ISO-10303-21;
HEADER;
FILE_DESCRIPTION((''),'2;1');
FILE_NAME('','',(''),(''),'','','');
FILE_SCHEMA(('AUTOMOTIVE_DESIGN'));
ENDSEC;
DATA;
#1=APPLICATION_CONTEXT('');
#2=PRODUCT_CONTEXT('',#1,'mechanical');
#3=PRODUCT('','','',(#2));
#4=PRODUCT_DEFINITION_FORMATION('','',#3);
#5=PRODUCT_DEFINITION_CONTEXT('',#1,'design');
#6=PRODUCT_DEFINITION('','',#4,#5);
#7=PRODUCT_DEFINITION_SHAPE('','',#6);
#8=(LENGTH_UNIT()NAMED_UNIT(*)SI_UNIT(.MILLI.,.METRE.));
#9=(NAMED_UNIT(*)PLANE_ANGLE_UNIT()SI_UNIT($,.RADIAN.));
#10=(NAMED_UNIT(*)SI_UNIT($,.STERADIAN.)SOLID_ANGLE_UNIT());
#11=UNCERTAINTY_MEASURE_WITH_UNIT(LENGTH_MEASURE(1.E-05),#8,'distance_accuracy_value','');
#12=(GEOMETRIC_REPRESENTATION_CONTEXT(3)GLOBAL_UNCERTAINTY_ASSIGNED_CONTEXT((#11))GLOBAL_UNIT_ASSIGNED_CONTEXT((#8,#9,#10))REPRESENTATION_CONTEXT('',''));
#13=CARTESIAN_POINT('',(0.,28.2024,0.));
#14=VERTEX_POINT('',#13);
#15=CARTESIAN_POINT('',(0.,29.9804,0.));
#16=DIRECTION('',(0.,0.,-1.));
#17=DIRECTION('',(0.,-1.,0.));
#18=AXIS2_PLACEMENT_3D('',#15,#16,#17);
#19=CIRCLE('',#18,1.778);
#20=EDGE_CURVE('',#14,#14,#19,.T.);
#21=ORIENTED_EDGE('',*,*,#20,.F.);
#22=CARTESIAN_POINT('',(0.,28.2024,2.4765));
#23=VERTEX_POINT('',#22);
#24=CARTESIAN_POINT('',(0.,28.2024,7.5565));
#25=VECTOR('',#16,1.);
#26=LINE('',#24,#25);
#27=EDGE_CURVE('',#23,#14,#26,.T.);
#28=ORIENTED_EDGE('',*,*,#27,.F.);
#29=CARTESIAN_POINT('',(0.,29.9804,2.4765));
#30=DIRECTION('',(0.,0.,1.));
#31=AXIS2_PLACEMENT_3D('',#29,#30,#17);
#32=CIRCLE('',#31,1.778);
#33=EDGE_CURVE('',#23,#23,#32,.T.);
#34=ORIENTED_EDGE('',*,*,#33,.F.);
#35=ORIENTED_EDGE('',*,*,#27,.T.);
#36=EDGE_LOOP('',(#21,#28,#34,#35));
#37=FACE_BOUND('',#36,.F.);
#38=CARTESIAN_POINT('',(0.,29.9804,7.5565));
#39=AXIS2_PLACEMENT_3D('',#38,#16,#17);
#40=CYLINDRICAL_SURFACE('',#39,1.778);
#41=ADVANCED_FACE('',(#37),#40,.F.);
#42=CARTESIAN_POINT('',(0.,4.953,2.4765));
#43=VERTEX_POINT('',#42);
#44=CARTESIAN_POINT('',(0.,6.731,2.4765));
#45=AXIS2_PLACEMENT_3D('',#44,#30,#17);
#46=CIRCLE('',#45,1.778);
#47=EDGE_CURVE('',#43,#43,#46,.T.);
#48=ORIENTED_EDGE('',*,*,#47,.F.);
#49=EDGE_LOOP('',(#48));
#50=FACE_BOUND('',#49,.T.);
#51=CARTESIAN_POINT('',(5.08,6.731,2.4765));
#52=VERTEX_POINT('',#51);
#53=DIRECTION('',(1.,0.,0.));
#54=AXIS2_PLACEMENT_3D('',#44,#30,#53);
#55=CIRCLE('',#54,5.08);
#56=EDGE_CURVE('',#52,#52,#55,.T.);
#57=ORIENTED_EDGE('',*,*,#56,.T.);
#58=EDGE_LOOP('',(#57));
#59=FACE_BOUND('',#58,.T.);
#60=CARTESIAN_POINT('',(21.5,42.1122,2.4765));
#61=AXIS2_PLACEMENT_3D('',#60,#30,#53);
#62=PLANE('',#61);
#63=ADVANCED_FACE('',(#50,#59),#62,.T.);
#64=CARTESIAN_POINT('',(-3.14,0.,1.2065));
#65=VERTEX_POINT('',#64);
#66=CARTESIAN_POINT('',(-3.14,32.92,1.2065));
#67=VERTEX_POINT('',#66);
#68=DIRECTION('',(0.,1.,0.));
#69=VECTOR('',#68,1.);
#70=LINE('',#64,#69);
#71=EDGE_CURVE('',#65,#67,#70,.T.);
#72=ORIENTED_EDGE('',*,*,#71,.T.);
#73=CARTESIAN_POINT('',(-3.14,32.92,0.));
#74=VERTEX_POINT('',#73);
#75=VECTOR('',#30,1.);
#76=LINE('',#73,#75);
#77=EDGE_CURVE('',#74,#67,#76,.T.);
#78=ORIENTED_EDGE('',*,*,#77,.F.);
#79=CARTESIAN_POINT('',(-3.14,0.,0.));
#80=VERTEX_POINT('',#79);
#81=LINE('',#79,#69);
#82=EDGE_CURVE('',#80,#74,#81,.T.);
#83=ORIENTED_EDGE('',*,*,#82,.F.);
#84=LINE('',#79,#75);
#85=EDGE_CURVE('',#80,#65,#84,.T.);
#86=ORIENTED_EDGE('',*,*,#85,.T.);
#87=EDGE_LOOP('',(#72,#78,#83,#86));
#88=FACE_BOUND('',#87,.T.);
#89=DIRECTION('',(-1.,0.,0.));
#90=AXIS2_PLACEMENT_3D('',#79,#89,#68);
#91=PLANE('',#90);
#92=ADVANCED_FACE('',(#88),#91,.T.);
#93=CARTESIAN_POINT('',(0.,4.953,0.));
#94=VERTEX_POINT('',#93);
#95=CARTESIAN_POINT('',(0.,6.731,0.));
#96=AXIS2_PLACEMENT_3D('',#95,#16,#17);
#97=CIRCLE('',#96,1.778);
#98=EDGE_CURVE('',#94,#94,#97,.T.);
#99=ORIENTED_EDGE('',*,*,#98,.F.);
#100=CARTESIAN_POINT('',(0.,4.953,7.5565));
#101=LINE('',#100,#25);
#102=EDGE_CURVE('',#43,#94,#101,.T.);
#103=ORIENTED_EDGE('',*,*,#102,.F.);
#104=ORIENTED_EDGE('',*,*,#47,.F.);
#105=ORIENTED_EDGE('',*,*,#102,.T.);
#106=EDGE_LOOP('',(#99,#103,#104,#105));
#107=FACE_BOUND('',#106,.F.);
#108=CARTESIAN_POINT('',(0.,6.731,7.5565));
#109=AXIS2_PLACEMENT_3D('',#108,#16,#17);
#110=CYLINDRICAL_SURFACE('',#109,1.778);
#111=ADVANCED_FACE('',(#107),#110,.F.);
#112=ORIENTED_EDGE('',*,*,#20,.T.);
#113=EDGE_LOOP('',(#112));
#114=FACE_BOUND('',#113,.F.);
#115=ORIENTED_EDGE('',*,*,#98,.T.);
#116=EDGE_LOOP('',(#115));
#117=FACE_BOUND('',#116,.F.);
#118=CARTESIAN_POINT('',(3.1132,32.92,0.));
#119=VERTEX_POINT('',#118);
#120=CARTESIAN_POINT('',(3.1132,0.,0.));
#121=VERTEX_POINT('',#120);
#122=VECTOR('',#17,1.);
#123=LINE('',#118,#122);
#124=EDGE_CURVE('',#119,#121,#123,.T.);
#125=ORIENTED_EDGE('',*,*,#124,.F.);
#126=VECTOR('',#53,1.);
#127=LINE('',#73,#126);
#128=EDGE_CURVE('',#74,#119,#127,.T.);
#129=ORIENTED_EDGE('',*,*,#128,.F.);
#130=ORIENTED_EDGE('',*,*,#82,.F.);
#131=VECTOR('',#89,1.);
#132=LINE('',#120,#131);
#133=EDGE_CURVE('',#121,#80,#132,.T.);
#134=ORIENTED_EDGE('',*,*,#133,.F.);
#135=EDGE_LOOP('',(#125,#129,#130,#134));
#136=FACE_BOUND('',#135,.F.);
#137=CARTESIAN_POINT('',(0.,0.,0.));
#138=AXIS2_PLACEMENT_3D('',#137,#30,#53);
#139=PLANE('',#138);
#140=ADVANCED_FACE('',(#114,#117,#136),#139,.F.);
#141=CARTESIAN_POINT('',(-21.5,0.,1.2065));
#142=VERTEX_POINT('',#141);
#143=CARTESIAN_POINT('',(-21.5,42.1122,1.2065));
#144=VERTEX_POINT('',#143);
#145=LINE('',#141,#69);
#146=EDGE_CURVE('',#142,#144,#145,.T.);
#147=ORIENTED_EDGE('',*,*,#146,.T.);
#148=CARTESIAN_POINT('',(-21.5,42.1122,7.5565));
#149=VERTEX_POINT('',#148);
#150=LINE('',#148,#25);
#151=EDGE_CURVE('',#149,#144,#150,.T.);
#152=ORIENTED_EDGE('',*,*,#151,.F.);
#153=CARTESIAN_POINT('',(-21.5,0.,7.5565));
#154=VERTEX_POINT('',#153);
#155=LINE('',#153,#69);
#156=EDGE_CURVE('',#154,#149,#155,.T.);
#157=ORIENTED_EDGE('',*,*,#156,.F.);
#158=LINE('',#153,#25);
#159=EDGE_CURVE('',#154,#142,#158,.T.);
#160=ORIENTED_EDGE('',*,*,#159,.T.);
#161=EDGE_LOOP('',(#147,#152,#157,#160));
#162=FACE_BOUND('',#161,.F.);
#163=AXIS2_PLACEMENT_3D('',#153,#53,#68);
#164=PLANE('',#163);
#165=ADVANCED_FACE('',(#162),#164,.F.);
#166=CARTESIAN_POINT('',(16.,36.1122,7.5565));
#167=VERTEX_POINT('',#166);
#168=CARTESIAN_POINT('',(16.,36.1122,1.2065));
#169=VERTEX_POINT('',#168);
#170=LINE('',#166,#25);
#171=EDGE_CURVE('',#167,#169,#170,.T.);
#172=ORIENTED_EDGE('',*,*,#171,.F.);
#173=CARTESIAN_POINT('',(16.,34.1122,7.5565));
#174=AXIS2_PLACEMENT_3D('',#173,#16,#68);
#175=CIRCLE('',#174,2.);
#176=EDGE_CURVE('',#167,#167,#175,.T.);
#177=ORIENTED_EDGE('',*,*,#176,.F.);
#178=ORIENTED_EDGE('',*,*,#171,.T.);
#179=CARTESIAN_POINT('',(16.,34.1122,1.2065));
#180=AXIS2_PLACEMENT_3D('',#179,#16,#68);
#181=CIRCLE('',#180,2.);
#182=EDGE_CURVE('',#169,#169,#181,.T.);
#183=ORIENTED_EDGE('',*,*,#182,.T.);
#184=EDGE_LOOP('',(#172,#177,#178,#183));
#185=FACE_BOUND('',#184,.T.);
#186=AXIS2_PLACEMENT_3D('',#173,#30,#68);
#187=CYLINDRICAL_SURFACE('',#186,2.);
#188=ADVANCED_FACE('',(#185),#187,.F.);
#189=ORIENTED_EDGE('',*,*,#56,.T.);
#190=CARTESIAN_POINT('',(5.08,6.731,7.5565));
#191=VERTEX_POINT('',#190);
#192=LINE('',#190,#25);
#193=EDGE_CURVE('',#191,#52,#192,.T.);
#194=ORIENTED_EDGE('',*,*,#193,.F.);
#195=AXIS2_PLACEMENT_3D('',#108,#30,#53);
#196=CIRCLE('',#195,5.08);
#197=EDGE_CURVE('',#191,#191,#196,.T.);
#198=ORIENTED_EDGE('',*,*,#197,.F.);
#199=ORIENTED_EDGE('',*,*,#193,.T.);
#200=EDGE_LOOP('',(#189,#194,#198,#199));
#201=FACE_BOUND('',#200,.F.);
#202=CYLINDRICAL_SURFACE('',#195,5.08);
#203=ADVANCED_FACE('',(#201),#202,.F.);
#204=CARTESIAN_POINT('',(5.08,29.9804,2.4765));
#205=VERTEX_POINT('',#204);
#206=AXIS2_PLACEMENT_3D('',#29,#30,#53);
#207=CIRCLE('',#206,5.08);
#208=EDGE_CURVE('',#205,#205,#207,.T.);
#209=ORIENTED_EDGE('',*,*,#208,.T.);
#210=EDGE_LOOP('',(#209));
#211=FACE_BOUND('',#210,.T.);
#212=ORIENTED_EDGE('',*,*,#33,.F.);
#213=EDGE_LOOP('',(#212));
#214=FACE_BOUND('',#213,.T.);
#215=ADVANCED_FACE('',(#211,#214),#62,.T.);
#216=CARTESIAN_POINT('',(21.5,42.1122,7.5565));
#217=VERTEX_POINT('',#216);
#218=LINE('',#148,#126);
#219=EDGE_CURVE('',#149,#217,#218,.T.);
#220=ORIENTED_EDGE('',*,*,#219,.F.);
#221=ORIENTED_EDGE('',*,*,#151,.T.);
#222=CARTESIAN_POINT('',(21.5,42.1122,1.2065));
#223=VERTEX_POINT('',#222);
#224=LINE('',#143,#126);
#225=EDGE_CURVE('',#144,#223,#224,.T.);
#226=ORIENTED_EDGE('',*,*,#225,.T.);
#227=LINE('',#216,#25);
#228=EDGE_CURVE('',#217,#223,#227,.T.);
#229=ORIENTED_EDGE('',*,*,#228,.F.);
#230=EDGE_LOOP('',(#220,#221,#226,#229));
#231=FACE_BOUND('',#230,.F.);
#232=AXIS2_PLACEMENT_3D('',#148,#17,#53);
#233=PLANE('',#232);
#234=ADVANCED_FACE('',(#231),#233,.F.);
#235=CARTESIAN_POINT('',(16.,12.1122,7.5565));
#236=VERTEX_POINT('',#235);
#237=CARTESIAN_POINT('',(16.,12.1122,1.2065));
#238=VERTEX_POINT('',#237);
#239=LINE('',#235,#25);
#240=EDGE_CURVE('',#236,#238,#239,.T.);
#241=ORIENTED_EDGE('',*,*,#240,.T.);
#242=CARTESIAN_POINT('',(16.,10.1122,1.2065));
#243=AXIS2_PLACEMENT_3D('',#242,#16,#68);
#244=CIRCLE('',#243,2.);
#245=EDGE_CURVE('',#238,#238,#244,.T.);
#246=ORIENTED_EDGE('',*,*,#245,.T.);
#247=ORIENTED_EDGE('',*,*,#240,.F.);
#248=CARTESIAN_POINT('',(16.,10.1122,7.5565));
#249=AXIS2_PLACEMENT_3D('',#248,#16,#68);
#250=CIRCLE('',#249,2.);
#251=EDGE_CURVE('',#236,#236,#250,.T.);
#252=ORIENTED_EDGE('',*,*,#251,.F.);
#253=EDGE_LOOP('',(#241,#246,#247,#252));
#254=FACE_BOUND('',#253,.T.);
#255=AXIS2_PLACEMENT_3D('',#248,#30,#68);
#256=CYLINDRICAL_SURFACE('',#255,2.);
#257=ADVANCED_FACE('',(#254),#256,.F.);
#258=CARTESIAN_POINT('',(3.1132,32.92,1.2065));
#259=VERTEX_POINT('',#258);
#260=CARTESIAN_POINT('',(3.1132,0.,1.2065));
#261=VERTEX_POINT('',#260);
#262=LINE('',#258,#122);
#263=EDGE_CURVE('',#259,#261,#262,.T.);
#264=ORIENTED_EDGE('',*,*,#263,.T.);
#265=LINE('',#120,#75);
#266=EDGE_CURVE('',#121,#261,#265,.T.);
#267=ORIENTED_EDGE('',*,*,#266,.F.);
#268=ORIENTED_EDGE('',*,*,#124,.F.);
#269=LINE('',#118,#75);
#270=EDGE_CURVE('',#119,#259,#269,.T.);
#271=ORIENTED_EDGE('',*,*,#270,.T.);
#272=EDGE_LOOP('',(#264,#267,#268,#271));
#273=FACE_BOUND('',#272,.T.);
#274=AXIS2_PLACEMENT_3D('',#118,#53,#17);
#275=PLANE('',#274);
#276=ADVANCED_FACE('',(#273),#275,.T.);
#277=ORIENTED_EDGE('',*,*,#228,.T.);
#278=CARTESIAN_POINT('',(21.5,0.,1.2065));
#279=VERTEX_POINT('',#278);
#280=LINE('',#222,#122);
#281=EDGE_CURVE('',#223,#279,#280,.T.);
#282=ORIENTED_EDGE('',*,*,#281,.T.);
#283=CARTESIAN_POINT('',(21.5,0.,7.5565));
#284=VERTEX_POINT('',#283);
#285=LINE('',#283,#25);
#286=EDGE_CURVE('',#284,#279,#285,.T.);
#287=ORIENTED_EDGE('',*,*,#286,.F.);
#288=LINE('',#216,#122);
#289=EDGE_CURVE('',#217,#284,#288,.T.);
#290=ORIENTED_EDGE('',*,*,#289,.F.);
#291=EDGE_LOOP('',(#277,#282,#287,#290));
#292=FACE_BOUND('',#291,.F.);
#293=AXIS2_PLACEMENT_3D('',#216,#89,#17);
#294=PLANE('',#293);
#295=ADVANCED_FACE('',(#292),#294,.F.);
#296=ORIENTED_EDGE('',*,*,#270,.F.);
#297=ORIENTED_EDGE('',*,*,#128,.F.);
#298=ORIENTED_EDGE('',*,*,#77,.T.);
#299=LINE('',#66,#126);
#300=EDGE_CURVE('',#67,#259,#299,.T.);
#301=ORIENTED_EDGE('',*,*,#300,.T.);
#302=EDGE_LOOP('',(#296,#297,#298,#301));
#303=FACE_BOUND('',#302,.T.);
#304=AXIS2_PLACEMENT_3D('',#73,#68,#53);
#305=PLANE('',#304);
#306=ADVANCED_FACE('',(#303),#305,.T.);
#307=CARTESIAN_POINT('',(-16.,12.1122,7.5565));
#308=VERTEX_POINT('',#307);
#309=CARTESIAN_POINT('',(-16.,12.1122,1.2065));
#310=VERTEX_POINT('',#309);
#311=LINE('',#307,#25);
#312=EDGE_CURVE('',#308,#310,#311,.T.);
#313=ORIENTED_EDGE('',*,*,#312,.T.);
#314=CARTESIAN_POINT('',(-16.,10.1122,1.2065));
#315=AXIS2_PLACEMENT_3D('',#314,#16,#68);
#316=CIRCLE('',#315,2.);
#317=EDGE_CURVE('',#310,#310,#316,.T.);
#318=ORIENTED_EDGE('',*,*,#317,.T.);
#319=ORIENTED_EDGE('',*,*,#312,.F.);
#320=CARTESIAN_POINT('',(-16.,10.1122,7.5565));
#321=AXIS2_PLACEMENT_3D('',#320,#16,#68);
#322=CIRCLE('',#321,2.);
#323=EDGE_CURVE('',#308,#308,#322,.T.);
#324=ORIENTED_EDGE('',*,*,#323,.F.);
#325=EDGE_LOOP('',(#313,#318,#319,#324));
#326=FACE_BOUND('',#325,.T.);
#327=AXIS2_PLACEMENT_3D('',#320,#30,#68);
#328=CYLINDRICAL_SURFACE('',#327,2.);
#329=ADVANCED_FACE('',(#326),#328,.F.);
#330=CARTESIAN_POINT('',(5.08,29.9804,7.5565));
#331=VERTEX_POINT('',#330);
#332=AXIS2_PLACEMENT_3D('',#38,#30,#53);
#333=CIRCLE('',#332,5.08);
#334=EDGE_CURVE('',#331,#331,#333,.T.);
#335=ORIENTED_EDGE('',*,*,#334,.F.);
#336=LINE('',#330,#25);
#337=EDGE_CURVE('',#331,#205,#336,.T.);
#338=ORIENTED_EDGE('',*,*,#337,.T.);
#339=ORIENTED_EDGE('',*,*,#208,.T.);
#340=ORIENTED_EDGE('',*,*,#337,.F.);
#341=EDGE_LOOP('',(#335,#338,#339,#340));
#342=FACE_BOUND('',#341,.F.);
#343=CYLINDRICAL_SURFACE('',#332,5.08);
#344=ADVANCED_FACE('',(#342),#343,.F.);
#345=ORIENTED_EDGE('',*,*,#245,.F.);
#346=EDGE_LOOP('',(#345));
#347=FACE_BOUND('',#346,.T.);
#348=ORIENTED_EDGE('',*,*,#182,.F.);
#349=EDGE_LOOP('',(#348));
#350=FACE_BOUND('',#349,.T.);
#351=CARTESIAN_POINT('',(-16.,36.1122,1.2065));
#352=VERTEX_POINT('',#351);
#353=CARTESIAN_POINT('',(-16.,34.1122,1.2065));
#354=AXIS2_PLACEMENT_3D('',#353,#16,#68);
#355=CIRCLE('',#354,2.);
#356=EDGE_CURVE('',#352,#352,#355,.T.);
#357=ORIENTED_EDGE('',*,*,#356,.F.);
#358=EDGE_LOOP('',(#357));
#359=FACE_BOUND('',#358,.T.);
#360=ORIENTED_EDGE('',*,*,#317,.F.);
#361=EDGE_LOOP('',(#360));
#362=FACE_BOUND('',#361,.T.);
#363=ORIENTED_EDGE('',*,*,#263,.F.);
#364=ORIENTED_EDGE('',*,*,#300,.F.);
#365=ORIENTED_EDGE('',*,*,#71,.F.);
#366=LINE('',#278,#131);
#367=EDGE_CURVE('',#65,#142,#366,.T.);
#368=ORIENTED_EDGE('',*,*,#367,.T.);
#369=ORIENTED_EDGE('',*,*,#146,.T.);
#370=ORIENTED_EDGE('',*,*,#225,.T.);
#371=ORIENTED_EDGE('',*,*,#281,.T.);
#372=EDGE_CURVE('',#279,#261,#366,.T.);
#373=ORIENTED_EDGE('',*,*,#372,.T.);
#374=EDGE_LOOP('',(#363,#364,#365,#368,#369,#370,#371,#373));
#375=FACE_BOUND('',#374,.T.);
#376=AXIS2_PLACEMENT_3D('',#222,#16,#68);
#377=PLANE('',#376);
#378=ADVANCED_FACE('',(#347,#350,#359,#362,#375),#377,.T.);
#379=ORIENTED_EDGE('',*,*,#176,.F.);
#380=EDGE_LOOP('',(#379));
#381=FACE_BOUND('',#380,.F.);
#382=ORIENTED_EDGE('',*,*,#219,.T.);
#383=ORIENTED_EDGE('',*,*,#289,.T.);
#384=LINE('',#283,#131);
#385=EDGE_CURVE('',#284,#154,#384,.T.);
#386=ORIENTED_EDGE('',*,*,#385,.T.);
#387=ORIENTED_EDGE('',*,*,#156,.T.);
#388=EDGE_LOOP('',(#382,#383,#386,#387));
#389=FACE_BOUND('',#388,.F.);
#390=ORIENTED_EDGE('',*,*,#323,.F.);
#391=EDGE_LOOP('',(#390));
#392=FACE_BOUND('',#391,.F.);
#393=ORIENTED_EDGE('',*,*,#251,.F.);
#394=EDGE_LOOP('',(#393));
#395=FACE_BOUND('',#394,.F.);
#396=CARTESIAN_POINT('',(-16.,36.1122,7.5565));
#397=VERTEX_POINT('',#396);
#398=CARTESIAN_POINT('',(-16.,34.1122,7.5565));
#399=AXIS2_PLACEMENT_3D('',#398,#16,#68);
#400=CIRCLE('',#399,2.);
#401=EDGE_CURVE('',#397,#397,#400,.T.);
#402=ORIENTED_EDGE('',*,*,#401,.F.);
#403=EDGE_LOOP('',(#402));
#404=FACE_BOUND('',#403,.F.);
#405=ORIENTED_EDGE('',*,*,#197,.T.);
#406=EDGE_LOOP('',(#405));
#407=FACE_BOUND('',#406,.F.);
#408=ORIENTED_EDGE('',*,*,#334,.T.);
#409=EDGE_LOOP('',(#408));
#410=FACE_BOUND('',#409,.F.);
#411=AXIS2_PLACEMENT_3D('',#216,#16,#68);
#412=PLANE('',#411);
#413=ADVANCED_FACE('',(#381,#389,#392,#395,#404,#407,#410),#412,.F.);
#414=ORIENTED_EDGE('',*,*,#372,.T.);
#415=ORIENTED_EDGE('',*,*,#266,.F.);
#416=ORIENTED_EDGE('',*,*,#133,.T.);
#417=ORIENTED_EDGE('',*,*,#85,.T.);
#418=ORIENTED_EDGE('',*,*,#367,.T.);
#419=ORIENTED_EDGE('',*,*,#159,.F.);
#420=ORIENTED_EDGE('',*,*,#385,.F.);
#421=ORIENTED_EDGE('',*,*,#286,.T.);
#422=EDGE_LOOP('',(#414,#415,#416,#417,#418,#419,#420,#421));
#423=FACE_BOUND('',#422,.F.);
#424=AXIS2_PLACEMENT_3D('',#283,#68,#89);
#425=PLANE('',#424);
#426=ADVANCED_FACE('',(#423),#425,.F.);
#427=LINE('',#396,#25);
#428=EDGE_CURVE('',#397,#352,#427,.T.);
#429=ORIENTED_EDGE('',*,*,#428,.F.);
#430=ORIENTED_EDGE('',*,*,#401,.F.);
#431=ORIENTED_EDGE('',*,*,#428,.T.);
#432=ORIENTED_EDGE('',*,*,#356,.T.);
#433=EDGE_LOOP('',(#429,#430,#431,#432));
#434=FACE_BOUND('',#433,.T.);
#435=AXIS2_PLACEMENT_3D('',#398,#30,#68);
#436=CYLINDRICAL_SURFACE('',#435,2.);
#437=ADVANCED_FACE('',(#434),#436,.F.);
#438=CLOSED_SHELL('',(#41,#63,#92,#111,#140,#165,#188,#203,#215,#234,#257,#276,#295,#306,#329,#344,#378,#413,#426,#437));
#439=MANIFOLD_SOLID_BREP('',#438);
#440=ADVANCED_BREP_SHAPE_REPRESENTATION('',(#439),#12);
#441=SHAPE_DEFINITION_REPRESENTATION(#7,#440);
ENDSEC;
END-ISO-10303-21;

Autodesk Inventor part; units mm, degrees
ref_plane "YZ Plane" through (0, 0, 0) normal (1, 0, 0) x (0, 1, 0)
ref_plane "XZ Plane" through (0, 0, 0) normal (0, 1, 0) x (-1, 0, 0)
ref_plane "XY Plane" through (0, 0, 0) normal (0, 0, 1) x (1, 0, 0)
ref_plane "Work Plane7" through (21.5, 42.1122, 7.5565) normal (0, 0, -1) x (0, 1, 0)
sketch "Sketch4" plane through (21.5, 42.1122, 7.5565) normal (0, 0, -1) x (0, 1, 0)
  line L0 (-42.1122, -17.69) -> (-42.1122, -25.31) construction
  line L1 (0, 0) -> (0, -43) construction
  line L2 (-528, -43) -> (0, -43) construction
  line L3 (-528, 0) -> (0, 0) construction
  line L4 (-42.1122, -43) -> (0, -43)
  line L5 (0, -43) -> (0, 0)
  line L6 (0, 0) -> (-42.1122, 0)
  line L7 (-42.1122, 0) -> (-42.1122, -43)
  circle A0 centre (-8, -5.5) radius 2
  circle A1 centre (-32, -5.5) radius 2
  circle A2 centre (-8, -37.5) radius 2
  circle A3 centre (-32, -37.5) radius 2
  point P0 (-42.1122, -21.5)
extrude "Extrusion4" add sketch "Sketch4" along normal blind 6.35
ref_plane "Work Plane6" through (0, 0, 0) normal (0, 0, 1) x (1, 0, 0)
sketch "Sketch5" plane through (0, 0, 0) normal (0, 0, 1) x (1, 0, 0)
  line L0 (3.1132, 0) -> (3.1132, 33.02) construction
  line L1 (-3.1132, 0) -> (-3.1132, 33.02) construction
  line L2 (3.14, 32.92) -> (-3.14, 32.92) construction
  line L3 (-21.5, 0) -> (21.5, 0) construction
  line L4 (3.1132, 0) -> (-3.14, 0)
  line L5 (-3.14, 0) -> (-3.14, 32.92)
  line L6 (-3.14, 32.92) -> (3.1132, 32.92)
  line L7 (3.1132, 32.92) -> (3.1132, 0)
  arc A0 (-0.0115, 8.4836) -> (1.2335, 7.976) centre (0, 6.731) ccw construction
  spline S0 degree 3 poles (-3.9963, 27.1983) (-3.9282, 27.0439) (-3.8705, 26.8672) (-3.7787, 26.4733) (-3.747, 26.2579) (-3.7229, 25.8912) (-3.7161, 25.6578) (-3.7657, 25.2017) (-3.8042, 25.0235) (-3.9064, 24.7384) (-3.9674, 24.6297) (-4.0735, 24.5156) (-4.1125, 24.4855) (-4.225, 24.4328) (-4.3003, 24.4339) (-4.4555, 24.5079) (-4.5339, 24.5853) (-4.6625, 24.7855) (-4.7303, 24.9172) (-4.8354, 25.2648) (-4.8698, 25.4348) (-4.9129, 25.8035) (-4.9196, 25.9997) (-4.906, 26.2838) (-4.8978, 26.3737) (-4.8628, 26.6198) (-4.8272, 26.7652) (-4.7302, 27.0244) (-4.6681, 27.1326) (-4.5976, 27.2088) knots 0.000001 0.000001 0.000001 0.000001 0.061283 0.061283 0.126502 0.126502 0.171802 0.171802 0.206523 0.206523 0.238722 0.238722 0.255636 0.255636 0.285543 0.285543 0.317605 0.317605 0.342807 0.342807 0.362438 0.362438 0.383231 0.383231 0.393319 0.393319 0.411548 0.411548 0.431083 0.431083 0.431083 0.431083 construction
  circle A1 centre (0, 6.731) radius 1.778 construction
  circle A2 centre (-0.0134, 32.92) radius 1.778 construction
  point P0 (0, 0)
  dimension "d10" = 3.556
  dimension "d11" = 3.556
extrude "Extrusion5" add sketch "Sketch5" along normal up to surface (1.2065 mm away)
sketch "Sketch6" plane through (21.5, 42.1122, 7.5565) normal (0, 0, 1) x (1, 0, 0)
  arc A0 (-21.5115, -33.6287) -> (-20.2665, -34.1362) centre (-21.5, -35.3812) ccw construction
  arc A1 (-21.5115, -10.3793) -> (-20.2665, -10.8868) centre (-21.5, -12.1318) ccw construction
  point P0 (-21.5, -42.1122)
hole "Hole2" at (0, 6.731, 7.5565) at (0, 29.9804, 7.5565) direction (0, 0, -1) diameter 3.556 end through all
ref_plane "Work Plane8" through (21.5, 42.1122, 7.5565) normal (0, 0, 1) x (1, 0, 0)
sketch "Sketch7" plane through (21.5, 42.1122, 7.5565) normal (0, 0, 1) x (1, 0, 0)
  circle A0 centre (-21.5, -12.1318) radius 1.778 projected
  circle A1 centre (-21.5, -12.1318) radius 5.08
  circle A2 centre (-21.5, -35.3812) radius 1.778 projected
  circle A3 centre (-21.5, -35.3812) radius 5.08
  point P0 (-21.5, -42.1122)
  dimension "d28" = 10.16
  dimension "d29" = 10.16
extrude "Extrusion6" cut sketch "Sketch7" against normal blind 5.08
properties part number "LeadScrewNutCoupler"
